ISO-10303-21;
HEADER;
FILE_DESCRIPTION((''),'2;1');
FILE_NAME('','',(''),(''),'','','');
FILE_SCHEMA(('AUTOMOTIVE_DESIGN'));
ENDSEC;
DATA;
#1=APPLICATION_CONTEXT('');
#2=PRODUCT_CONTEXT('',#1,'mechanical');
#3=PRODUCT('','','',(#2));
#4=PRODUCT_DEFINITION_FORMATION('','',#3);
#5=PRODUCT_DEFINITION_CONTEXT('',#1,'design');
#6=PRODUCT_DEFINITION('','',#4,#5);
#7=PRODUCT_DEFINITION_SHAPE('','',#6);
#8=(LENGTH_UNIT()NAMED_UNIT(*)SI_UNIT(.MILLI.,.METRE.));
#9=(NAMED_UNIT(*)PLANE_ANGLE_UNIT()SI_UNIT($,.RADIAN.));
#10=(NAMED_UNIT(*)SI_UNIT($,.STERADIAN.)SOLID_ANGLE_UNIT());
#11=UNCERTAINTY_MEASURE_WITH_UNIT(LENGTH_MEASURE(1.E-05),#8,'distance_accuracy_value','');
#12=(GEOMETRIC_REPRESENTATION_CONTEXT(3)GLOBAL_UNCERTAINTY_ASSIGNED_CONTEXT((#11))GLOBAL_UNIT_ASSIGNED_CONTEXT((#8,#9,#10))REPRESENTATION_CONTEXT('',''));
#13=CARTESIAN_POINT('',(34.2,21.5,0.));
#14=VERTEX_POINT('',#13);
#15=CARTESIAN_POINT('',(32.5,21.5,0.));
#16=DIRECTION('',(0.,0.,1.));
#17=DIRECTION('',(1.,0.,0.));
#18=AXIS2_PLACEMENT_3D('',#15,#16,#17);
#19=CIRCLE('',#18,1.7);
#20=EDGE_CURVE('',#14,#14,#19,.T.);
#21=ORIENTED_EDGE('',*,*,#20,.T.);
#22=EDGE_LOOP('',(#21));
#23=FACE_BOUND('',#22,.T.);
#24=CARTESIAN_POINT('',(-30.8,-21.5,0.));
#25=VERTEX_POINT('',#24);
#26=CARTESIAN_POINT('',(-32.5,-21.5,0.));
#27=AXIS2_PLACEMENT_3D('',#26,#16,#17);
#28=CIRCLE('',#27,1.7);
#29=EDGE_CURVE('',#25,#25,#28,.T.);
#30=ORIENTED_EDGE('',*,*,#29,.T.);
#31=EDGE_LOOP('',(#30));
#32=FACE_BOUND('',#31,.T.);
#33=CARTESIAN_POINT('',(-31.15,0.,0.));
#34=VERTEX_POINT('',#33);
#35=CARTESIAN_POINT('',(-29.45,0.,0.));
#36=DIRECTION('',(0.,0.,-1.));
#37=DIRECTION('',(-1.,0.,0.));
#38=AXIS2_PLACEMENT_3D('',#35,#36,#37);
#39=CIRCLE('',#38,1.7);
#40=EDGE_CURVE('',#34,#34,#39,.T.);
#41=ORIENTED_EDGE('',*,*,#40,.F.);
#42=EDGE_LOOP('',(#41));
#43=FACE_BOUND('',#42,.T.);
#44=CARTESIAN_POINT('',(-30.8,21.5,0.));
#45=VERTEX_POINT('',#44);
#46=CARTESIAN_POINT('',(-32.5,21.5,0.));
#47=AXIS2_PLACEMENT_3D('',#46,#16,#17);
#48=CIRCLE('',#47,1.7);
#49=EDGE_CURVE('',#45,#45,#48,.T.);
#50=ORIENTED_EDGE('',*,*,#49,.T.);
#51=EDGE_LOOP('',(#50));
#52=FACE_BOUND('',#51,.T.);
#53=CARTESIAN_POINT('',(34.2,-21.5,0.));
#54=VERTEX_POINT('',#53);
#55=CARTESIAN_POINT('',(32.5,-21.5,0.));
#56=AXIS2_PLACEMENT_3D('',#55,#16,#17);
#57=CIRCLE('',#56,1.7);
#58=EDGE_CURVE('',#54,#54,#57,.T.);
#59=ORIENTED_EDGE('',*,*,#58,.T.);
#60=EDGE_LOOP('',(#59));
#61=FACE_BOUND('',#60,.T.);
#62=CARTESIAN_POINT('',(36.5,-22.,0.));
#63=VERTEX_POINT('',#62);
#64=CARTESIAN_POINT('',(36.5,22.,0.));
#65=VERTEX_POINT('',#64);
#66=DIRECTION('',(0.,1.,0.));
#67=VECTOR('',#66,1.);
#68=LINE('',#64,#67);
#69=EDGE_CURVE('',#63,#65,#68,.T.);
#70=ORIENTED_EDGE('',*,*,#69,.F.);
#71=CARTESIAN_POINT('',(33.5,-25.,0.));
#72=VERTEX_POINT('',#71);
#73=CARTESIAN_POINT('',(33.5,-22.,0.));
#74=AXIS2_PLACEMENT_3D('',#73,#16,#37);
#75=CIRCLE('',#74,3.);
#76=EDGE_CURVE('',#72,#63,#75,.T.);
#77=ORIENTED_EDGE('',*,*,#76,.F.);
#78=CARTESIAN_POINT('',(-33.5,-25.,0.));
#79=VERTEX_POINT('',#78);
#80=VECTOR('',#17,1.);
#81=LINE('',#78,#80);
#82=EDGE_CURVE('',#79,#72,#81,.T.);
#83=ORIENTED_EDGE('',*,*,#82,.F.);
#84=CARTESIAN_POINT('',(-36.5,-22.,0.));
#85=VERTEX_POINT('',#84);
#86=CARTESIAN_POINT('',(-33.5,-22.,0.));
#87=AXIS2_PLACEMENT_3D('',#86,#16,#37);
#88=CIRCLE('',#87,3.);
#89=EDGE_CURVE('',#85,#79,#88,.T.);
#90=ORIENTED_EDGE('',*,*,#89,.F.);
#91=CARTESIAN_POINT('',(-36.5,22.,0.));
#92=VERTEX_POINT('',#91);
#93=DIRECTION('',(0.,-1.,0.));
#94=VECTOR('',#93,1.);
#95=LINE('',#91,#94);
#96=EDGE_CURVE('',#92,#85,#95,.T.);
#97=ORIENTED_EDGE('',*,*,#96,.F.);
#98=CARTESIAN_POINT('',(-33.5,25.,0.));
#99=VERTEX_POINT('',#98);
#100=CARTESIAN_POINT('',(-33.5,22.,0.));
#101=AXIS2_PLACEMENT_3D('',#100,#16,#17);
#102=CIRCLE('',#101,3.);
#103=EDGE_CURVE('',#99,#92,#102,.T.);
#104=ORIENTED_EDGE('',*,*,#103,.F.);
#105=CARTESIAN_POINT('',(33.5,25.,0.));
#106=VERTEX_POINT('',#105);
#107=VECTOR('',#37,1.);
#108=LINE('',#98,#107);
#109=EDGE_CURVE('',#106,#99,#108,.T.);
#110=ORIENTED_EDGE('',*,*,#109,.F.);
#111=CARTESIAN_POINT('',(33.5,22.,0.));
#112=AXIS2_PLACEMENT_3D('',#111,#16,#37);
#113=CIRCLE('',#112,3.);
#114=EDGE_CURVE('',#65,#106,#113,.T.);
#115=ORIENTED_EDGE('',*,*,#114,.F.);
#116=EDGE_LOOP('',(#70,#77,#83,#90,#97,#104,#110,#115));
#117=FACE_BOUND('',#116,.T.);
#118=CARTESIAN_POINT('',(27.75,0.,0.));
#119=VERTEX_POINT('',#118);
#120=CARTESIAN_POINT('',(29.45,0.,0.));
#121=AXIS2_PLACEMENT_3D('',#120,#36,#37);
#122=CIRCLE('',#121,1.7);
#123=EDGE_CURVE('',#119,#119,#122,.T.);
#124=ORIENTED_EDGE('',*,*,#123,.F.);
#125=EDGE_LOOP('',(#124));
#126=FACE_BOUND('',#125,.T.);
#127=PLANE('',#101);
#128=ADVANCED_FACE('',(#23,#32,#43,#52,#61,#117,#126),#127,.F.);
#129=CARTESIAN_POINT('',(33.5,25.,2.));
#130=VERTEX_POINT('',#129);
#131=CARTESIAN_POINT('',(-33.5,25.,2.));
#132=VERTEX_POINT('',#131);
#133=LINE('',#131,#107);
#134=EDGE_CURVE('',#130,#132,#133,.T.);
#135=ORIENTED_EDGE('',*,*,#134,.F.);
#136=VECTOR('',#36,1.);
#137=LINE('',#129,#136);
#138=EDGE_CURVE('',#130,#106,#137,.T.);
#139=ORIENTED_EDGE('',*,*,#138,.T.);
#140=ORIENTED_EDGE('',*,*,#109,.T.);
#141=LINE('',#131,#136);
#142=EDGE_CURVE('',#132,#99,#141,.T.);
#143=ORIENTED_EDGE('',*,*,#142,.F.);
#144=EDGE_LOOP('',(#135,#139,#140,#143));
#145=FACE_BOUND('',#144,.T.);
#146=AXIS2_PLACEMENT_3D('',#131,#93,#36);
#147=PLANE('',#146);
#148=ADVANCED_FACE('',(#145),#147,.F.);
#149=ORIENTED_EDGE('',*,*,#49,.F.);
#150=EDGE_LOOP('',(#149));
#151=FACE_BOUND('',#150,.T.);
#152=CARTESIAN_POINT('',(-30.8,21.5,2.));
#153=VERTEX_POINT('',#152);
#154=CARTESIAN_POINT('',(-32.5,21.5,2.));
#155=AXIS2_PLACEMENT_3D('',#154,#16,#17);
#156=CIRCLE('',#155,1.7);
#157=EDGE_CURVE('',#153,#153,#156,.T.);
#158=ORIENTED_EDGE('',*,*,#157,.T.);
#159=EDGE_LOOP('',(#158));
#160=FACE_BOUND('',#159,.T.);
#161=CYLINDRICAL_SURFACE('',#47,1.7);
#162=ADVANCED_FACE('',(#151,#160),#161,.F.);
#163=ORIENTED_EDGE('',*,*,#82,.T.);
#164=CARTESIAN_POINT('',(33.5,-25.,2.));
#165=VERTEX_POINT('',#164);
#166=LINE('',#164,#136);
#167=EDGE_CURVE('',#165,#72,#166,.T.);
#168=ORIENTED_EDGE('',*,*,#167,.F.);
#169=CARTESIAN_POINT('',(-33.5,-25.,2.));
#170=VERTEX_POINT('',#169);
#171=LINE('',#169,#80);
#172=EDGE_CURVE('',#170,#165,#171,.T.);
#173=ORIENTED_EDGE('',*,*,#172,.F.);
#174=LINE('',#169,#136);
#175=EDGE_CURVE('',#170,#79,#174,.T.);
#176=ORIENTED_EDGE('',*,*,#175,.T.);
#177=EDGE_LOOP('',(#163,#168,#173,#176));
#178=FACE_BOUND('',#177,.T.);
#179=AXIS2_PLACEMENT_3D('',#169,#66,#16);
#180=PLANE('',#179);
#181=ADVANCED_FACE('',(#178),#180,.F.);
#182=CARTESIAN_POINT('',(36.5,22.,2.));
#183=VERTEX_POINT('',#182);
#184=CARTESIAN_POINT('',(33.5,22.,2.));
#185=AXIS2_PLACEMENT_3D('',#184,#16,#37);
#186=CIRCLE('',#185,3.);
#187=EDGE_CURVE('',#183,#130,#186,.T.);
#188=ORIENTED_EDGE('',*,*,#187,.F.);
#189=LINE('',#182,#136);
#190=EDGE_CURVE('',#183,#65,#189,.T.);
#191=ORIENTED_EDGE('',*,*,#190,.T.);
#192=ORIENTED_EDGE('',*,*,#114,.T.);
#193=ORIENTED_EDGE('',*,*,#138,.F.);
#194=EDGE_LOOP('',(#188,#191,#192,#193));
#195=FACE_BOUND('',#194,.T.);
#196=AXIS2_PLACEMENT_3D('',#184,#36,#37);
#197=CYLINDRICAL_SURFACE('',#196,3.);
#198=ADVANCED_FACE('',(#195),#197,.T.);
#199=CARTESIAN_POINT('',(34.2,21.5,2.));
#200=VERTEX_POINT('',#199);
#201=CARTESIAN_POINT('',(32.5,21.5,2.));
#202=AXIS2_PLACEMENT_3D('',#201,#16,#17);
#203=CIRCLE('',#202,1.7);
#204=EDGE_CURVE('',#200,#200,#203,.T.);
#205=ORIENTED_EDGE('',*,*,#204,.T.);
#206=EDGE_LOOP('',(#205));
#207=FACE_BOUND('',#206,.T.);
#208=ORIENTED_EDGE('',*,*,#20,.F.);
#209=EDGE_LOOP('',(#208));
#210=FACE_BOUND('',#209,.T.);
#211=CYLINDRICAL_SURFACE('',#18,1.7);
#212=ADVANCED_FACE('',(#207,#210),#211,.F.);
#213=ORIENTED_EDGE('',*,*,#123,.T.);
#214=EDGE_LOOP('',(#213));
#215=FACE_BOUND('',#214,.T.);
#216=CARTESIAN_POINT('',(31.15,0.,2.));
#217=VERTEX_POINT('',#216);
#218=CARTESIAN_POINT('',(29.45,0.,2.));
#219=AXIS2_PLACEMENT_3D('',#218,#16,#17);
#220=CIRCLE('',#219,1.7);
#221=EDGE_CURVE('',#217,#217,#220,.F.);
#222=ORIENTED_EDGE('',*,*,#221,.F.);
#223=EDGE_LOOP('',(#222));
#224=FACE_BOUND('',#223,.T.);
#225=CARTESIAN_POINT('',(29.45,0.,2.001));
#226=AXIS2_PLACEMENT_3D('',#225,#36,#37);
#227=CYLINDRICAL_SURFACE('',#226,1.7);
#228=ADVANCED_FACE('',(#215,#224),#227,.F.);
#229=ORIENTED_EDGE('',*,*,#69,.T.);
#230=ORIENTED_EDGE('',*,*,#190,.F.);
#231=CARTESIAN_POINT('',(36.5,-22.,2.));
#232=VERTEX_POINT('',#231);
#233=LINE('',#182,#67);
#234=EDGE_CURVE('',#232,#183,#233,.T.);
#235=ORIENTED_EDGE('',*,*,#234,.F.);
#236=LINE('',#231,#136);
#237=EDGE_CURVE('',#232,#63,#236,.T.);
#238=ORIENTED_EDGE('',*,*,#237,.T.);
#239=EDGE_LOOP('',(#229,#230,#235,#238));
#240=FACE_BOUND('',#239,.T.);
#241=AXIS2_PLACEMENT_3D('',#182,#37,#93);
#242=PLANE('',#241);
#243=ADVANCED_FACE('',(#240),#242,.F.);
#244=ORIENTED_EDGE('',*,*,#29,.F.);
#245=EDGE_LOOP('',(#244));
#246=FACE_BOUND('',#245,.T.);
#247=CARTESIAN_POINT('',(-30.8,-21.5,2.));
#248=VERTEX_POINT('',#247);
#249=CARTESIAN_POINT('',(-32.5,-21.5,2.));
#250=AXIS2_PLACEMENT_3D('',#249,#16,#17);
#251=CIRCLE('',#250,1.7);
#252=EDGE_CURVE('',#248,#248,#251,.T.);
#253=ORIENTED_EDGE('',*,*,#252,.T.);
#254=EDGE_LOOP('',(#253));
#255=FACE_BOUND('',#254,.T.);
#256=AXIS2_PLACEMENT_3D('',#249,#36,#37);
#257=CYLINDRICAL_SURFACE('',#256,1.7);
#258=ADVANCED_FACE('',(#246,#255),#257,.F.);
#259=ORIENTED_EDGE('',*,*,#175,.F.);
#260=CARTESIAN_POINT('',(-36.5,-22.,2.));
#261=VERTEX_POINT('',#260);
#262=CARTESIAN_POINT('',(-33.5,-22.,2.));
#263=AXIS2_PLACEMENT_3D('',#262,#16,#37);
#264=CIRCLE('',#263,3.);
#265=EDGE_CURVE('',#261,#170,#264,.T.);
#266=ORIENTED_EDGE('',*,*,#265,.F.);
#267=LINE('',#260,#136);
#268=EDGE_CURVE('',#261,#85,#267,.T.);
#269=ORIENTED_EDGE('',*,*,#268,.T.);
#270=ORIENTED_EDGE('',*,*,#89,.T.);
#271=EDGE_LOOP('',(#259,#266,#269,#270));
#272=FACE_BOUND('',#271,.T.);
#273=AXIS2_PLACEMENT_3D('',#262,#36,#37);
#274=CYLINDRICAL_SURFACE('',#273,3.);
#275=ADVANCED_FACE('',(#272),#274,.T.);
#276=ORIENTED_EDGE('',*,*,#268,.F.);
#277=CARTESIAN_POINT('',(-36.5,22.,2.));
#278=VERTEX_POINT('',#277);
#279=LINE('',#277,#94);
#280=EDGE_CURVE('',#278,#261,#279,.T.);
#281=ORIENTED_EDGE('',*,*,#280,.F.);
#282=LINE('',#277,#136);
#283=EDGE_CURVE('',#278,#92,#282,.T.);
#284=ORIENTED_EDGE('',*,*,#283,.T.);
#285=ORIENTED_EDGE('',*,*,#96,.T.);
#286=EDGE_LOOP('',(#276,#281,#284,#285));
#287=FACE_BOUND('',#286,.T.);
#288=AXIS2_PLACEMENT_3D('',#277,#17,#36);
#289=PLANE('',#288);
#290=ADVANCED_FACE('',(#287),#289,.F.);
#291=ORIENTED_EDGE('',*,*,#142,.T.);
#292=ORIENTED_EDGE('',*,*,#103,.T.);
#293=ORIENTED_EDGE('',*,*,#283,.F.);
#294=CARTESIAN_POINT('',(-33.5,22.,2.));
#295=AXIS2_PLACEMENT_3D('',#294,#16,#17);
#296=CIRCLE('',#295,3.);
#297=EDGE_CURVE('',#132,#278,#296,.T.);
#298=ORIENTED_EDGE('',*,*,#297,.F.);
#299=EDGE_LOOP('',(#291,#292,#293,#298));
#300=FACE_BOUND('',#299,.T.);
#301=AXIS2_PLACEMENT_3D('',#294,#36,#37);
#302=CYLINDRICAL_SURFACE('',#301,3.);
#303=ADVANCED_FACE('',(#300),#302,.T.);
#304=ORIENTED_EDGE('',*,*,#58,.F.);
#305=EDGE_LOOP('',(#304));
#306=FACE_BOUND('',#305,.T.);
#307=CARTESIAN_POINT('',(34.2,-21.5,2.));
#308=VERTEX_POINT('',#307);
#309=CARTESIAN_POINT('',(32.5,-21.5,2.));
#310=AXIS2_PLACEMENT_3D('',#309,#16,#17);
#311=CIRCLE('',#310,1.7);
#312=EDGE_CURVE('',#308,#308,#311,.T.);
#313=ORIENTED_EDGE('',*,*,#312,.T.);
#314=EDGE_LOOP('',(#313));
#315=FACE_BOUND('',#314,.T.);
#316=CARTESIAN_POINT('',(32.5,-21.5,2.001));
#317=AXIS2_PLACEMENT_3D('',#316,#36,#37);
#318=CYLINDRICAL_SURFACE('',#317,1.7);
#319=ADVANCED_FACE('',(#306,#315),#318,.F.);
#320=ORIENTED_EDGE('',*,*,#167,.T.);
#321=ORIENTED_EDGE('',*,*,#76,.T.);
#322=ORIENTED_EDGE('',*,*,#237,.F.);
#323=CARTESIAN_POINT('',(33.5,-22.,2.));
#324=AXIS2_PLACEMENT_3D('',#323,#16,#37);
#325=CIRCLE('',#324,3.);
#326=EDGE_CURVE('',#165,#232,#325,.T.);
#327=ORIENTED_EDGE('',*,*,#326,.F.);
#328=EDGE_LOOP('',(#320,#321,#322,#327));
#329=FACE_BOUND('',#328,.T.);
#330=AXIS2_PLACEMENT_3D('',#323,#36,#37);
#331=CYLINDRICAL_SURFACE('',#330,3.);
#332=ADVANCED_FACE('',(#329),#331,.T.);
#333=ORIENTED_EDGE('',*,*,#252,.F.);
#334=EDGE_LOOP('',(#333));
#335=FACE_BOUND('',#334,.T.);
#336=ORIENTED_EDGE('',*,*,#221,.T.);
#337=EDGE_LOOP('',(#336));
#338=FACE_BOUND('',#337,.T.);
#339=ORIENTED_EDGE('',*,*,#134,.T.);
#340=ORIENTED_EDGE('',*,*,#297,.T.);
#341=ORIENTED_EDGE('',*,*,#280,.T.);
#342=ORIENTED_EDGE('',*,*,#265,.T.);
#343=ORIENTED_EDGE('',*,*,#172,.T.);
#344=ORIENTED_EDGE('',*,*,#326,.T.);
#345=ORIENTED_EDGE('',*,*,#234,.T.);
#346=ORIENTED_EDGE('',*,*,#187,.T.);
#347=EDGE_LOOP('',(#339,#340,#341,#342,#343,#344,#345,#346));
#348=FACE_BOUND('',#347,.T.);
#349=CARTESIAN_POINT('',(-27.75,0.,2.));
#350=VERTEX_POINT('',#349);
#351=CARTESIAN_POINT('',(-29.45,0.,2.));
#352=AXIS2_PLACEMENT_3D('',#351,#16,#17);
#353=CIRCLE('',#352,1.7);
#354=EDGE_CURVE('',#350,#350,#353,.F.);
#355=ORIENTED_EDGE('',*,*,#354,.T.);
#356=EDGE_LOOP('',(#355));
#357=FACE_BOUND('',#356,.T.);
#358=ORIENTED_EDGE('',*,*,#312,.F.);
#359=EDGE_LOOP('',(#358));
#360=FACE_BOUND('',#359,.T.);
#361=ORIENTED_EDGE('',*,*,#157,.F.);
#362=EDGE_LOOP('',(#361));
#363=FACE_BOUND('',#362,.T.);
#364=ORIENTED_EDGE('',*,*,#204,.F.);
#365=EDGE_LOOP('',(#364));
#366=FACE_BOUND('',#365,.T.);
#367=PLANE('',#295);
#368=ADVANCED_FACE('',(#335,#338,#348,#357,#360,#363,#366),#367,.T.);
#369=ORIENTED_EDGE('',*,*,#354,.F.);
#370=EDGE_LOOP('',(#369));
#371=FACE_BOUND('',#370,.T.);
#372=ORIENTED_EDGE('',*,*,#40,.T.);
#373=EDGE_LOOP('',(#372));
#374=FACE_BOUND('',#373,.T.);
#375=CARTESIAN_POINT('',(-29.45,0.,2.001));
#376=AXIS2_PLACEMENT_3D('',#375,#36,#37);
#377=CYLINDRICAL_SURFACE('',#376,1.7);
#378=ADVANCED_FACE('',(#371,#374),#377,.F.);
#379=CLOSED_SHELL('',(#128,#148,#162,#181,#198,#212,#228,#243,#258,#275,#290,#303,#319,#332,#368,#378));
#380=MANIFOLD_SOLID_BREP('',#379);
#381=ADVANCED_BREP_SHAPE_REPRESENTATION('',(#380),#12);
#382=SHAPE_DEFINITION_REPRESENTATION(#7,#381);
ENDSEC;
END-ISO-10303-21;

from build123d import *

# Parameters (mm, degrees)
SKETCH1_R           = 1.7
BOSS_EXTRUDE1_DEPTH = 2
CUT_EXTRUDE7_REACH  = 46.286
SKETCH3_R           = 1.7
SKETCH4_R           = 1.7
CUT_EXTRUDE8_DEPTH  = 45.286002303
SKETCH7_R           = 1.7
CUT_EXTRUDE9_DEPTH  = 45.286002303
CUT_EXTRUDE10_REACH = 46.286
SKETCH8_R           = 1.7


with BuildPart() as part:
    # Sketch1 → Boss-Extrude1 (new body)
    with BuildSketch(Plane.XY):
        with BuildLine():
            Line((-33.5, 25), (33.5, 25))
            ThreePointArc((33.5, 25), (35.621320344, 24.121320344), (36.5, 22))
            Line((36.5, 22), (36.5, -22))
            ThreePointArc((36.5, -22), (35.621320344, -24.121320344), (33.5, -25))
            Line((33.5, -25), (-33.5, -25))
            ThreePointArc((-33.5, -25), (-35.621320344, -24.121320344), (-36.5, -22))
            Line((-36.5, -22), (-36.5, 22))
            ThreePointArc((-36.5, 22), (-35.621320344, 24.121320344), (-33.5, 25))
        make_face()
        with Locations((-32.5, -21.5)):
            Circle(SKETCH1_R, mode=Mode.SUBTRACT)
    extrude(amount=BOSS_EXTRUDE1_DEPTH)

    # Sketch3 → Cut-Extrude7 (cut, up to next)
    with BuildSketch(Plane.XY, mode=Mode.PRIVATE) as cut_extrude7_sk1:
        with Locations((32.5, -21.5)):
            Circle(SKETCH3_R)
    cut_extrude7_tool1 = extrude(cut_extrude7_sk1.sketch, amount=CUT_EXTRUDE7_REACH, mode=Mode.PRIVATE) & part.part
    add(cut_extrude7_tool1.solids().sort_by_distance((32.5, -21.5, 0))[0], mode=Mode.SUBTRACT)

    # Sketch4 → Cut-Extrude8 (cut, through all)
    with BuildSketch(Plane.XY.offset(2)):
        with Locations((-32.5, 21.5)):
            Circle(SKETCH4_R)
    extrude(amount=-CUT_EXTRUDE8_DEPTH, mode=Mode.SUBTRACT)

    # Sketch7 → Cut-Extrude9 (cut, through all)
    with BuildSketch(Plane.XY.offset(2)):
        with Locations((32.5, 21.5)):
            Circle(SKETCH7_R)
    extrude(amount=-CUT_EXTRUDE9_DEPTH, mode=Mode.SUBTRACT)

    # Sketch8 → Cut-Extrude10 (cut, up to next)
    with BuildSketch(Plane(origin=(0, 0, 0), x_dir=(-1, 0, 0), z_dir=(0, 0, -1)), mode=Mode.PRIVATE) as cut_extrude10_sk1:
        with Locations((-29.45, 0)):
            Circle(SKETCH8_R)
    cut_extrude10_tool1 = extrude(cut_extrude10_sk1.sketch, amount=-CUT_EXTRUDE10_REACH, mode=Mode.PRIVATE) & part.part
    # Sketch8 → Cut-Extrude10 (cut, up to next)
    with BuildSketch(Plane(origin=(0, 0, 0), x_dir=(-1, 0, 0), z_dir=(0, 0, -1)), mode=Mode.PRIVATE) as cut_extrude10_sk2:
        with Locations((29.45, 0)):
            Circle(SKETCH8_R)
    cut_extrude10_tool2 = extrude(cut_extrude10_sk2.sketch, amount=-CUT_EXTRUDE10_REACH, mode=Mode.PRIVATE) & part.part
    add(cut_extrude10_tool1.solids().sort_by_distance((29.45, 0, 0))[0], mode=Mode.SUBTRACT)
    add(cut_extrude10_tool2.solids().sort_by_distance((-29.45, 0, 0))[0], mode=Mode.SUBTRACT)


solid = part.part
